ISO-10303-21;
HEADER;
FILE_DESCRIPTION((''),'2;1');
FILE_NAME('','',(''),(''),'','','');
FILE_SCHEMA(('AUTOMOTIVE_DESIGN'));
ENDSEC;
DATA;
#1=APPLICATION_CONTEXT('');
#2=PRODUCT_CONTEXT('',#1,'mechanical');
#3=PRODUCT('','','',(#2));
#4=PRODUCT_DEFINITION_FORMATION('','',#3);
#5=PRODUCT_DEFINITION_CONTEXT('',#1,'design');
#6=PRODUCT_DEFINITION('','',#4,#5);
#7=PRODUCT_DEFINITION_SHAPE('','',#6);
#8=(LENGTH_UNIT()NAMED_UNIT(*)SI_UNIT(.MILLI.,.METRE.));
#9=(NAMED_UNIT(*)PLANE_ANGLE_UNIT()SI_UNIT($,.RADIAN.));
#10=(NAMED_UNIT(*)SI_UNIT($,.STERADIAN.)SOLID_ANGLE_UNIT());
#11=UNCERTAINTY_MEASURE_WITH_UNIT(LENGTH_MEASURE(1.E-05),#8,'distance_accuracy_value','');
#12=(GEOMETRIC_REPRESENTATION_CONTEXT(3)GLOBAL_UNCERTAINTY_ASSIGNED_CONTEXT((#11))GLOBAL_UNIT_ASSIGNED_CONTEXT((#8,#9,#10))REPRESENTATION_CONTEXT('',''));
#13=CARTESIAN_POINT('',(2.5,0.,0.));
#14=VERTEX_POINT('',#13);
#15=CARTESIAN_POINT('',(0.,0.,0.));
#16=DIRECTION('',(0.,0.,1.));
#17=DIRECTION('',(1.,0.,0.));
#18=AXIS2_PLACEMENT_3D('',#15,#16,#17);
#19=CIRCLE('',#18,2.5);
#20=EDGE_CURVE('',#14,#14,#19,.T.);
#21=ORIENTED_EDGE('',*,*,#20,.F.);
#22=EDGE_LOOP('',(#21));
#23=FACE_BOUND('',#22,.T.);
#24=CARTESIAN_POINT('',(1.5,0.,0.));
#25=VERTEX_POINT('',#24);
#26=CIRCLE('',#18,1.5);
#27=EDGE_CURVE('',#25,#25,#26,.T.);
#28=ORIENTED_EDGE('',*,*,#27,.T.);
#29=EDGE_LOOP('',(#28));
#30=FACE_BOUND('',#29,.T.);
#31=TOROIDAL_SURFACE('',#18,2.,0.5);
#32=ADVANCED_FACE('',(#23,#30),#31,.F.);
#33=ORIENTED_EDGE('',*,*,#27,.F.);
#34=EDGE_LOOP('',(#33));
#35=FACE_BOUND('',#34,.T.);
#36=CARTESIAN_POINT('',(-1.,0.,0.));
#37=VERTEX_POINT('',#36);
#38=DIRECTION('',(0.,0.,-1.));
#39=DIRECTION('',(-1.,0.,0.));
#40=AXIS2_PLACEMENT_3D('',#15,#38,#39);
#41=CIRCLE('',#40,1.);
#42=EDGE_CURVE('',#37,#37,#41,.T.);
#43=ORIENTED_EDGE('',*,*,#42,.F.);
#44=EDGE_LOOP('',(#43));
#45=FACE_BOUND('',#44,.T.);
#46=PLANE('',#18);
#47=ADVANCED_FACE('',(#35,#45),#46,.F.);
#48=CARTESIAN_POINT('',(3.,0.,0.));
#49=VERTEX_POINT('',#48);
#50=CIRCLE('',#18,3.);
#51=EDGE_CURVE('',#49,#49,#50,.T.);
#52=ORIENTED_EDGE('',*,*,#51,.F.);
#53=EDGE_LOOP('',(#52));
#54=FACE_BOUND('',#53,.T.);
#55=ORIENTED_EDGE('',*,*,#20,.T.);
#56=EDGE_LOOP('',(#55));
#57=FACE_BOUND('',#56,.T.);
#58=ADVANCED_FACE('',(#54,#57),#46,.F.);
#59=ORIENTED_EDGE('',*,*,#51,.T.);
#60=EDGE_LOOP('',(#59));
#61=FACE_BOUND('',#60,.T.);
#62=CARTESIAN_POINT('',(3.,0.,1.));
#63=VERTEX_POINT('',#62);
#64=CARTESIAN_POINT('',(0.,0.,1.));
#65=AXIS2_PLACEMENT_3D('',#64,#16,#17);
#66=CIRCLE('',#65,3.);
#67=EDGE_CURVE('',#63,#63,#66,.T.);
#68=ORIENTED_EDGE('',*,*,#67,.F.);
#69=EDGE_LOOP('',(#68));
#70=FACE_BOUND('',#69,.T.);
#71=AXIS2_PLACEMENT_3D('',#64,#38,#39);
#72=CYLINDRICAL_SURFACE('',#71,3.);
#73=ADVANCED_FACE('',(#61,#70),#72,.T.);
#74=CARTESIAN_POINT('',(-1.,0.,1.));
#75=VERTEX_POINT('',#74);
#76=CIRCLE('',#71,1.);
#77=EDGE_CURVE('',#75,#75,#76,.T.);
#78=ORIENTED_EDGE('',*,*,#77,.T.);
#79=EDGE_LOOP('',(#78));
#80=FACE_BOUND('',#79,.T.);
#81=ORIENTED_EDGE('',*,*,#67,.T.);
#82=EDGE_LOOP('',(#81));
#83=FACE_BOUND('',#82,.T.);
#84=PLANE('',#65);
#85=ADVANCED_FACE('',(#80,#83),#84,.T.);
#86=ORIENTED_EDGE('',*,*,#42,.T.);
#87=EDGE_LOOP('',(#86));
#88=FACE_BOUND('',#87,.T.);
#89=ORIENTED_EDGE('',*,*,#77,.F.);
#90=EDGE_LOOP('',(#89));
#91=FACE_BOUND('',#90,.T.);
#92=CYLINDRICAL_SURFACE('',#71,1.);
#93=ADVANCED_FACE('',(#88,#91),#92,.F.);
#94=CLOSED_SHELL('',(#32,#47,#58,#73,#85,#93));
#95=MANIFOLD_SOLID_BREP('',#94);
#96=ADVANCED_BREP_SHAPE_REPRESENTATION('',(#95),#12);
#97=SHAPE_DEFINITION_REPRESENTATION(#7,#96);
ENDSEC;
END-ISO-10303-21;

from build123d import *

# Parameters (mm, degrees)
SKETCH_1_R          = 3
EXTRUDE_1_DEPTH     = 1
SKETCH_3_R          = 1
CUT_EXTRUDE_1_DEPTH = 5.358898944


with BuildPart() as part:
    # 草图1 → 凸台-拉伸1 (new body)
    with BuildSketch(Plane.XY):
        Circle(SKETCH_1_R)
    extrude(amount=EXTRUDE_1_DEPTH)

    # 草图2 → 切除-旋转1 (revolve, cut)
    with BuildSketch(Plane(origin=(0, 0, 0), x_dir=(1, 0, 0), z_dir=(0, 1, 0))):
        with BuildLine():
            Line((1.5, 0), (2.5, 0))
            ThreePointArc((2.5, 0), (2, -0.5), (1.5, 0))
        make_face()
    revolve(axis=Axis((0, 0, 1), (0, 0, -1)), mode=Mode.SUBTRACT)

    # 草图3 → 切除-拉伸1 (cut, through all)
    with BuildSketch(Plane(origin=(0, 0, 0), x_dir=(-1, 0, 0), z_dir=(0, 0, -1))):
        Circle(SKETCH_3_R)
    extrude(amount=-CUT_EXTRUDE_1_DEPTH, mode=Mode.SUBTRACT)


solid = part.part
